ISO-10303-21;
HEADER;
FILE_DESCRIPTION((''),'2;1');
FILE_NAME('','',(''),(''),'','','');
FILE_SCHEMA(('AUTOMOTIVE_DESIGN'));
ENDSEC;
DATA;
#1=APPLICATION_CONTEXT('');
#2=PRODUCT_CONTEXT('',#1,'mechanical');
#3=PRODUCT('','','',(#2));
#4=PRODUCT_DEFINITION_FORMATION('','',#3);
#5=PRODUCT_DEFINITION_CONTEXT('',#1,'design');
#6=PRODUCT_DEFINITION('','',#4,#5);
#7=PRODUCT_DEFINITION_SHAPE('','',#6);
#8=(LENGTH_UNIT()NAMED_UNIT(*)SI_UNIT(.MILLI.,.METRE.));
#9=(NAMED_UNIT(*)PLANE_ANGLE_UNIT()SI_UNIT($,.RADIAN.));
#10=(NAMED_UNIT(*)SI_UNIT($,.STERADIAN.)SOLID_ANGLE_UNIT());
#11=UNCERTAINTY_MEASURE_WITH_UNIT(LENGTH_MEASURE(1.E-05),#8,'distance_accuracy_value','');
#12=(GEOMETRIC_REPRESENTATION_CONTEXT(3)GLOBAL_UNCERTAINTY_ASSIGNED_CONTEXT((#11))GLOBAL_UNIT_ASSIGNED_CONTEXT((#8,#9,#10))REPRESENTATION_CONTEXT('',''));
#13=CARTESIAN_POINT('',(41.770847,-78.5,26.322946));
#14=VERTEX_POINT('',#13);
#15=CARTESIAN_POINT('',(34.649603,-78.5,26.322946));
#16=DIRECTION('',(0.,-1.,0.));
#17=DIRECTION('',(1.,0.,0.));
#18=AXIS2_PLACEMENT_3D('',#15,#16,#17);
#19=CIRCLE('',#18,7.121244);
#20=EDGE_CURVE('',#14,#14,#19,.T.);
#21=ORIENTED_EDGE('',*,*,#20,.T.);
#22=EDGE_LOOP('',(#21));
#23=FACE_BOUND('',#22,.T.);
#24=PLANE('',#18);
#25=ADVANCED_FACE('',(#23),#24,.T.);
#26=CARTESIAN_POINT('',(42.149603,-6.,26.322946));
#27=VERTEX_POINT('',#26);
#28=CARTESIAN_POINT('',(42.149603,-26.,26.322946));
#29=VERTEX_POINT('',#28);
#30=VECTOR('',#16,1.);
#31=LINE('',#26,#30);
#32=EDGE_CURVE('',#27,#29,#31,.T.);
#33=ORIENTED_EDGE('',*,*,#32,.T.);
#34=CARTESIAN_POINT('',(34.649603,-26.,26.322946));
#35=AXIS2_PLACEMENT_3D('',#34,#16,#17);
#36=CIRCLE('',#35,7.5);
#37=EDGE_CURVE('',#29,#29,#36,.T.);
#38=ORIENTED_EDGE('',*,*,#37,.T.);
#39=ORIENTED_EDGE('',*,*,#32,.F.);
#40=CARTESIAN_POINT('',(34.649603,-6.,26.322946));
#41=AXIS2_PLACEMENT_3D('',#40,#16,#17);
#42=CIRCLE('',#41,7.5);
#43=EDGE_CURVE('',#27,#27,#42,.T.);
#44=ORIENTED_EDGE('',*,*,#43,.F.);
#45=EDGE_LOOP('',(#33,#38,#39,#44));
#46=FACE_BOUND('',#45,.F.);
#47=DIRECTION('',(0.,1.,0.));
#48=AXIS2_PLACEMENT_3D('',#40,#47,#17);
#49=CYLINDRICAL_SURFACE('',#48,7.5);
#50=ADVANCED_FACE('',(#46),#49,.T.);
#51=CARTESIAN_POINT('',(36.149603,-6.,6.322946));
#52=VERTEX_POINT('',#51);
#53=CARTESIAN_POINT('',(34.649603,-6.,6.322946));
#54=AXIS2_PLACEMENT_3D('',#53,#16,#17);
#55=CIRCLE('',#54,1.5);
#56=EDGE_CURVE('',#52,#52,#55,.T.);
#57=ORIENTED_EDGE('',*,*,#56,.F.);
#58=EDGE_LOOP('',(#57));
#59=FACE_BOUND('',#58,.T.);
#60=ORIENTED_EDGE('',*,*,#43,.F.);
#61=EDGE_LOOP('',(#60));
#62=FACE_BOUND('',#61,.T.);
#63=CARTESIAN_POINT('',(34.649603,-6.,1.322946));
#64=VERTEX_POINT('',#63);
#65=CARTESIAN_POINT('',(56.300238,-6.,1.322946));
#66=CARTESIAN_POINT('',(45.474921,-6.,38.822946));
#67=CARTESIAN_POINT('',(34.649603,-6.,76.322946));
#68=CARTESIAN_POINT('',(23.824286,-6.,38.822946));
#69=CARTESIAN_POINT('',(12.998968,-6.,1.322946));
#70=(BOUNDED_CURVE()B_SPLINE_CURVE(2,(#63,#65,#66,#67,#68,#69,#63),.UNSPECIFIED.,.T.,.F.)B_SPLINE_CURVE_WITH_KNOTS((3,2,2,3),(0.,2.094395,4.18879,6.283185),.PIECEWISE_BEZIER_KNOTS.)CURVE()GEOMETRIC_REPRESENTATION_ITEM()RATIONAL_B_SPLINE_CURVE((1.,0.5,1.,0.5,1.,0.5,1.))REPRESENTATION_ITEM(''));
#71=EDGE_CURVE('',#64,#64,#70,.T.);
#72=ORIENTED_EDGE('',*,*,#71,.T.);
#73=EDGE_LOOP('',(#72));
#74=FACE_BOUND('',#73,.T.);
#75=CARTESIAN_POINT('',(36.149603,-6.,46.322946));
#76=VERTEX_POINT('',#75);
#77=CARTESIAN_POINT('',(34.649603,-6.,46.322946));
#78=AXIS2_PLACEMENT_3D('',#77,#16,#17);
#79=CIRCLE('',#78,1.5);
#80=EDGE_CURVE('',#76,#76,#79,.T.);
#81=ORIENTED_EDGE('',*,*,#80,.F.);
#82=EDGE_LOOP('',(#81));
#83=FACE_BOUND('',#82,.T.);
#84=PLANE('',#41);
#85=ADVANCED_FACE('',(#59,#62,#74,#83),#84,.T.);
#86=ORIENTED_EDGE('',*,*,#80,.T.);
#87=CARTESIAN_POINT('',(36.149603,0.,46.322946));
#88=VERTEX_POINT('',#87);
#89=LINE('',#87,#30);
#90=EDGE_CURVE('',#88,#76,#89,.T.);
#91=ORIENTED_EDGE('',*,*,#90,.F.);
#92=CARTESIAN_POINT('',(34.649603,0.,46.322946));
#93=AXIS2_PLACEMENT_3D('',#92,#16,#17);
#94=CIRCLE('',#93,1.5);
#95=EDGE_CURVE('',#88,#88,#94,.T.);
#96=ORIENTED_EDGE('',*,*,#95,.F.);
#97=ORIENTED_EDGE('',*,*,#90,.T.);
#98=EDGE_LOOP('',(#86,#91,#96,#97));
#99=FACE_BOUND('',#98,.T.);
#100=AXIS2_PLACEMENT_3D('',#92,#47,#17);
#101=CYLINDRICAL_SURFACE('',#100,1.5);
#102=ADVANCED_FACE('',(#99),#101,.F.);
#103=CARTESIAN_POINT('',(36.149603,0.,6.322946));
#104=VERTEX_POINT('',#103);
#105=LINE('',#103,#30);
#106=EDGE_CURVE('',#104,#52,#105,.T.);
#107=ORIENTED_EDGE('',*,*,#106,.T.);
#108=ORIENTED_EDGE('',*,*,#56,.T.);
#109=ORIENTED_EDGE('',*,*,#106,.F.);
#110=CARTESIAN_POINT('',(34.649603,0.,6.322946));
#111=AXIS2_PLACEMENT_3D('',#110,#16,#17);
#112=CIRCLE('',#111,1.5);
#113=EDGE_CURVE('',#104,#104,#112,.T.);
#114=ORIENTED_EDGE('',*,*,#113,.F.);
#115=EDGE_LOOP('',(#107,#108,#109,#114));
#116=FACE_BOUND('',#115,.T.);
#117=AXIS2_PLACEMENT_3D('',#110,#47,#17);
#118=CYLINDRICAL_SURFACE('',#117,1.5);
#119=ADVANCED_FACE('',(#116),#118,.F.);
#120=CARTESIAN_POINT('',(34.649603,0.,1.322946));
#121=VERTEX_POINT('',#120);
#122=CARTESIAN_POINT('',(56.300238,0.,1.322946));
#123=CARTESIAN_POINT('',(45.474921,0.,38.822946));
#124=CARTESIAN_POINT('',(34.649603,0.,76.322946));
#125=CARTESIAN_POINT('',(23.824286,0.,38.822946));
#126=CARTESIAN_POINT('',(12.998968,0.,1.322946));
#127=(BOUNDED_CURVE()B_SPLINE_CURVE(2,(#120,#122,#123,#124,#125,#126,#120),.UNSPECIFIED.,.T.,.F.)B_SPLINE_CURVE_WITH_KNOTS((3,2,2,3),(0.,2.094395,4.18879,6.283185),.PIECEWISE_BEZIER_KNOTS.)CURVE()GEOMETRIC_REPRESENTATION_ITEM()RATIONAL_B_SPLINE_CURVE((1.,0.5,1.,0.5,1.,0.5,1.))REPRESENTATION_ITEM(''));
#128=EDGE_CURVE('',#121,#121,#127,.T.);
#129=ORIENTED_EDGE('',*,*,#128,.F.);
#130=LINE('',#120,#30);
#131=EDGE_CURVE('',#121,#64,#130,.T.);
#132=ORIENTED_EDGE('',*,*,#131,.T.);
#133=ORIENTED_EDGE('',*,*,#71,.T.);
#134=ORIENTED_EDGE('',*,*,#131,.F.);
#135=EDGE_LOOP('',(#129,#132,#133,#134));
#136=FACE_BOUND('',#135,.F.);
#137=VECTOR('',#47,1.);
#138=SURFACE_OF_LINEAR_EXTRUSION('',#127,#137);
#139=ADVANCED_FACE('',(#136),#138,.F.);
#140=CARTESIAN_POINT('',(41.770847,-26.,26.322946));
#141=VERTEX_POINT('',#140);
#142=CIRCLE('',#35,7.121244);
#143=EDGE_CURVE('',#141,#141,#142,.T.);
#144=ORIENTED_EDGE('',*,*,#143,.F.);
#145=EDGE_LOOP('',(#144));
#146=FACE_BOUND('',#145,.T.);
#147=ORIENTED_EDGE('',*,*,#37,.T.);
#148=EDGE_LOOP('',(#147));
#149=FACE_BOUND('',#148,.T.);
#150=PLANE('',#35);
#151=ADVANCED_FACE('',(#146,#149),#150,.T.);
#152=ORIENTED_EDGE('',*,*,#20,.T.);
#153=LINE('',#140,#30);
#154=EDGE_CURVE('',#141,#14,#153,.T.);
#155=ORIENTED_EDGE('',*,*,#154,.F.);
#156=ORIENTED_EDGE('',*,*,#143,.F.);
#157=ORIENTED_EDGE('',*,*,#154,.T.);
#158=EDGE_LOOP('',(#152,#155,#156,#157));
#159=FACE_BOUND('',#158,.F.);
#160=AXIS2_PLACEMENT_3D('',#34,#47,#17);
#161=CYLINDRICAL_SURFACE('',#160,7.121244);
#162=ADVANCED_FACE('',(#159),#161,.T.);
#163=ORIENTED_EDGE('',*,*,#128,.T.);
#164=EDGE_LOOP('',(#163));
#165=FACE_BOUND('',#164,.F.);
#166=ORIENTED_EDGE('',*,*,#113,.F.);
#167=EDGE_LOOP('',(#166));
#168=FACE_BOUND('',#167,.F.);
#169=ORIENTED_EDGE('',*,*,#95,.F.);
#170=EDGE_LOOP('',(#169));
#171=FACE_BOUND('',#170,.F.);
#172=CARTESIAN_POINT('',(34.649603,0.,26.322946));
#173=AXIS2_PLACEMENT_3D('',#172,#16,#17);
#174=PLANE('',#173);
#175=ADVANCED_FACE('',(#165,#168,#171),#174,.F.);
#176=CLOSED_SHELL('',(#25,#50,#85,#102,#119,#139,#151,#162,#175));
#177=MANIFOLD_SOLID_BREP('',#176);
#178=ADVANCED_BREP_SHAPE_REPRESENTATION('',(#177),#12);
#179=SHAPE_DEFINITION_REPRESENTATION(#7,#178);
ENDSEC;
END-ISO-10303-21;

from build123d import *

# Parameters (mm, degrees)
F0_R     = 1.5
F1_DEPTH = 6
F2_R     = 7.5
F3_DEPTH = 20
F4_R     = 7.121244
F5_DEPTH = 52.5


with BuildPart() as f1:
    # F0 (on Front) → F1 (new body)
    with BuildSketch(Plane.XZ):
        with BuildLine():
            add(Edge.make_bspline(
                [(34.649603, 1.322946), (56.300238, 1.322946), (45.474921, 38.822946), (34.649603, 76.322946), (23.824286, 38.822946), (12.998968, 1.322946), (34.649603, 1.322946)],
                knots=[0, 0, 0, 2.094395, 2.094395, 4.18879, 4.18879, 6.283185, 6.283185, 6.283185], degree=2, weights=[1, 0.5, 1, 0.5, 1, 0.5, 1]))
        make_face()
        with Locations((34.649603, 6.322946)):
            Circle(F0_R, mode=Mode.SUBTRACT)
        with Locations((34.649603, 46.322946)):
            Circle(F0_R, mode=Mode.SUBTRACT)
    extrude(amount=F1_DEPTH)

    # F2 (on face) → F3 (join)
    with BuildSketch(Plane.XZ.offset(6)):
        with Locations((34.649603, 26.322946)):
            Circle(F2_R)
    extrude(amount=F3_DEPTH)

    # F4 (on face) → F5 (join)
    with BuildSketch(Plane.XZ.offset(26)):
        with Locations((34.649603, 26.322946)):
            Circle(F4_R)
    extrude(amount=F5_DEPTH)


solid = f1.part
